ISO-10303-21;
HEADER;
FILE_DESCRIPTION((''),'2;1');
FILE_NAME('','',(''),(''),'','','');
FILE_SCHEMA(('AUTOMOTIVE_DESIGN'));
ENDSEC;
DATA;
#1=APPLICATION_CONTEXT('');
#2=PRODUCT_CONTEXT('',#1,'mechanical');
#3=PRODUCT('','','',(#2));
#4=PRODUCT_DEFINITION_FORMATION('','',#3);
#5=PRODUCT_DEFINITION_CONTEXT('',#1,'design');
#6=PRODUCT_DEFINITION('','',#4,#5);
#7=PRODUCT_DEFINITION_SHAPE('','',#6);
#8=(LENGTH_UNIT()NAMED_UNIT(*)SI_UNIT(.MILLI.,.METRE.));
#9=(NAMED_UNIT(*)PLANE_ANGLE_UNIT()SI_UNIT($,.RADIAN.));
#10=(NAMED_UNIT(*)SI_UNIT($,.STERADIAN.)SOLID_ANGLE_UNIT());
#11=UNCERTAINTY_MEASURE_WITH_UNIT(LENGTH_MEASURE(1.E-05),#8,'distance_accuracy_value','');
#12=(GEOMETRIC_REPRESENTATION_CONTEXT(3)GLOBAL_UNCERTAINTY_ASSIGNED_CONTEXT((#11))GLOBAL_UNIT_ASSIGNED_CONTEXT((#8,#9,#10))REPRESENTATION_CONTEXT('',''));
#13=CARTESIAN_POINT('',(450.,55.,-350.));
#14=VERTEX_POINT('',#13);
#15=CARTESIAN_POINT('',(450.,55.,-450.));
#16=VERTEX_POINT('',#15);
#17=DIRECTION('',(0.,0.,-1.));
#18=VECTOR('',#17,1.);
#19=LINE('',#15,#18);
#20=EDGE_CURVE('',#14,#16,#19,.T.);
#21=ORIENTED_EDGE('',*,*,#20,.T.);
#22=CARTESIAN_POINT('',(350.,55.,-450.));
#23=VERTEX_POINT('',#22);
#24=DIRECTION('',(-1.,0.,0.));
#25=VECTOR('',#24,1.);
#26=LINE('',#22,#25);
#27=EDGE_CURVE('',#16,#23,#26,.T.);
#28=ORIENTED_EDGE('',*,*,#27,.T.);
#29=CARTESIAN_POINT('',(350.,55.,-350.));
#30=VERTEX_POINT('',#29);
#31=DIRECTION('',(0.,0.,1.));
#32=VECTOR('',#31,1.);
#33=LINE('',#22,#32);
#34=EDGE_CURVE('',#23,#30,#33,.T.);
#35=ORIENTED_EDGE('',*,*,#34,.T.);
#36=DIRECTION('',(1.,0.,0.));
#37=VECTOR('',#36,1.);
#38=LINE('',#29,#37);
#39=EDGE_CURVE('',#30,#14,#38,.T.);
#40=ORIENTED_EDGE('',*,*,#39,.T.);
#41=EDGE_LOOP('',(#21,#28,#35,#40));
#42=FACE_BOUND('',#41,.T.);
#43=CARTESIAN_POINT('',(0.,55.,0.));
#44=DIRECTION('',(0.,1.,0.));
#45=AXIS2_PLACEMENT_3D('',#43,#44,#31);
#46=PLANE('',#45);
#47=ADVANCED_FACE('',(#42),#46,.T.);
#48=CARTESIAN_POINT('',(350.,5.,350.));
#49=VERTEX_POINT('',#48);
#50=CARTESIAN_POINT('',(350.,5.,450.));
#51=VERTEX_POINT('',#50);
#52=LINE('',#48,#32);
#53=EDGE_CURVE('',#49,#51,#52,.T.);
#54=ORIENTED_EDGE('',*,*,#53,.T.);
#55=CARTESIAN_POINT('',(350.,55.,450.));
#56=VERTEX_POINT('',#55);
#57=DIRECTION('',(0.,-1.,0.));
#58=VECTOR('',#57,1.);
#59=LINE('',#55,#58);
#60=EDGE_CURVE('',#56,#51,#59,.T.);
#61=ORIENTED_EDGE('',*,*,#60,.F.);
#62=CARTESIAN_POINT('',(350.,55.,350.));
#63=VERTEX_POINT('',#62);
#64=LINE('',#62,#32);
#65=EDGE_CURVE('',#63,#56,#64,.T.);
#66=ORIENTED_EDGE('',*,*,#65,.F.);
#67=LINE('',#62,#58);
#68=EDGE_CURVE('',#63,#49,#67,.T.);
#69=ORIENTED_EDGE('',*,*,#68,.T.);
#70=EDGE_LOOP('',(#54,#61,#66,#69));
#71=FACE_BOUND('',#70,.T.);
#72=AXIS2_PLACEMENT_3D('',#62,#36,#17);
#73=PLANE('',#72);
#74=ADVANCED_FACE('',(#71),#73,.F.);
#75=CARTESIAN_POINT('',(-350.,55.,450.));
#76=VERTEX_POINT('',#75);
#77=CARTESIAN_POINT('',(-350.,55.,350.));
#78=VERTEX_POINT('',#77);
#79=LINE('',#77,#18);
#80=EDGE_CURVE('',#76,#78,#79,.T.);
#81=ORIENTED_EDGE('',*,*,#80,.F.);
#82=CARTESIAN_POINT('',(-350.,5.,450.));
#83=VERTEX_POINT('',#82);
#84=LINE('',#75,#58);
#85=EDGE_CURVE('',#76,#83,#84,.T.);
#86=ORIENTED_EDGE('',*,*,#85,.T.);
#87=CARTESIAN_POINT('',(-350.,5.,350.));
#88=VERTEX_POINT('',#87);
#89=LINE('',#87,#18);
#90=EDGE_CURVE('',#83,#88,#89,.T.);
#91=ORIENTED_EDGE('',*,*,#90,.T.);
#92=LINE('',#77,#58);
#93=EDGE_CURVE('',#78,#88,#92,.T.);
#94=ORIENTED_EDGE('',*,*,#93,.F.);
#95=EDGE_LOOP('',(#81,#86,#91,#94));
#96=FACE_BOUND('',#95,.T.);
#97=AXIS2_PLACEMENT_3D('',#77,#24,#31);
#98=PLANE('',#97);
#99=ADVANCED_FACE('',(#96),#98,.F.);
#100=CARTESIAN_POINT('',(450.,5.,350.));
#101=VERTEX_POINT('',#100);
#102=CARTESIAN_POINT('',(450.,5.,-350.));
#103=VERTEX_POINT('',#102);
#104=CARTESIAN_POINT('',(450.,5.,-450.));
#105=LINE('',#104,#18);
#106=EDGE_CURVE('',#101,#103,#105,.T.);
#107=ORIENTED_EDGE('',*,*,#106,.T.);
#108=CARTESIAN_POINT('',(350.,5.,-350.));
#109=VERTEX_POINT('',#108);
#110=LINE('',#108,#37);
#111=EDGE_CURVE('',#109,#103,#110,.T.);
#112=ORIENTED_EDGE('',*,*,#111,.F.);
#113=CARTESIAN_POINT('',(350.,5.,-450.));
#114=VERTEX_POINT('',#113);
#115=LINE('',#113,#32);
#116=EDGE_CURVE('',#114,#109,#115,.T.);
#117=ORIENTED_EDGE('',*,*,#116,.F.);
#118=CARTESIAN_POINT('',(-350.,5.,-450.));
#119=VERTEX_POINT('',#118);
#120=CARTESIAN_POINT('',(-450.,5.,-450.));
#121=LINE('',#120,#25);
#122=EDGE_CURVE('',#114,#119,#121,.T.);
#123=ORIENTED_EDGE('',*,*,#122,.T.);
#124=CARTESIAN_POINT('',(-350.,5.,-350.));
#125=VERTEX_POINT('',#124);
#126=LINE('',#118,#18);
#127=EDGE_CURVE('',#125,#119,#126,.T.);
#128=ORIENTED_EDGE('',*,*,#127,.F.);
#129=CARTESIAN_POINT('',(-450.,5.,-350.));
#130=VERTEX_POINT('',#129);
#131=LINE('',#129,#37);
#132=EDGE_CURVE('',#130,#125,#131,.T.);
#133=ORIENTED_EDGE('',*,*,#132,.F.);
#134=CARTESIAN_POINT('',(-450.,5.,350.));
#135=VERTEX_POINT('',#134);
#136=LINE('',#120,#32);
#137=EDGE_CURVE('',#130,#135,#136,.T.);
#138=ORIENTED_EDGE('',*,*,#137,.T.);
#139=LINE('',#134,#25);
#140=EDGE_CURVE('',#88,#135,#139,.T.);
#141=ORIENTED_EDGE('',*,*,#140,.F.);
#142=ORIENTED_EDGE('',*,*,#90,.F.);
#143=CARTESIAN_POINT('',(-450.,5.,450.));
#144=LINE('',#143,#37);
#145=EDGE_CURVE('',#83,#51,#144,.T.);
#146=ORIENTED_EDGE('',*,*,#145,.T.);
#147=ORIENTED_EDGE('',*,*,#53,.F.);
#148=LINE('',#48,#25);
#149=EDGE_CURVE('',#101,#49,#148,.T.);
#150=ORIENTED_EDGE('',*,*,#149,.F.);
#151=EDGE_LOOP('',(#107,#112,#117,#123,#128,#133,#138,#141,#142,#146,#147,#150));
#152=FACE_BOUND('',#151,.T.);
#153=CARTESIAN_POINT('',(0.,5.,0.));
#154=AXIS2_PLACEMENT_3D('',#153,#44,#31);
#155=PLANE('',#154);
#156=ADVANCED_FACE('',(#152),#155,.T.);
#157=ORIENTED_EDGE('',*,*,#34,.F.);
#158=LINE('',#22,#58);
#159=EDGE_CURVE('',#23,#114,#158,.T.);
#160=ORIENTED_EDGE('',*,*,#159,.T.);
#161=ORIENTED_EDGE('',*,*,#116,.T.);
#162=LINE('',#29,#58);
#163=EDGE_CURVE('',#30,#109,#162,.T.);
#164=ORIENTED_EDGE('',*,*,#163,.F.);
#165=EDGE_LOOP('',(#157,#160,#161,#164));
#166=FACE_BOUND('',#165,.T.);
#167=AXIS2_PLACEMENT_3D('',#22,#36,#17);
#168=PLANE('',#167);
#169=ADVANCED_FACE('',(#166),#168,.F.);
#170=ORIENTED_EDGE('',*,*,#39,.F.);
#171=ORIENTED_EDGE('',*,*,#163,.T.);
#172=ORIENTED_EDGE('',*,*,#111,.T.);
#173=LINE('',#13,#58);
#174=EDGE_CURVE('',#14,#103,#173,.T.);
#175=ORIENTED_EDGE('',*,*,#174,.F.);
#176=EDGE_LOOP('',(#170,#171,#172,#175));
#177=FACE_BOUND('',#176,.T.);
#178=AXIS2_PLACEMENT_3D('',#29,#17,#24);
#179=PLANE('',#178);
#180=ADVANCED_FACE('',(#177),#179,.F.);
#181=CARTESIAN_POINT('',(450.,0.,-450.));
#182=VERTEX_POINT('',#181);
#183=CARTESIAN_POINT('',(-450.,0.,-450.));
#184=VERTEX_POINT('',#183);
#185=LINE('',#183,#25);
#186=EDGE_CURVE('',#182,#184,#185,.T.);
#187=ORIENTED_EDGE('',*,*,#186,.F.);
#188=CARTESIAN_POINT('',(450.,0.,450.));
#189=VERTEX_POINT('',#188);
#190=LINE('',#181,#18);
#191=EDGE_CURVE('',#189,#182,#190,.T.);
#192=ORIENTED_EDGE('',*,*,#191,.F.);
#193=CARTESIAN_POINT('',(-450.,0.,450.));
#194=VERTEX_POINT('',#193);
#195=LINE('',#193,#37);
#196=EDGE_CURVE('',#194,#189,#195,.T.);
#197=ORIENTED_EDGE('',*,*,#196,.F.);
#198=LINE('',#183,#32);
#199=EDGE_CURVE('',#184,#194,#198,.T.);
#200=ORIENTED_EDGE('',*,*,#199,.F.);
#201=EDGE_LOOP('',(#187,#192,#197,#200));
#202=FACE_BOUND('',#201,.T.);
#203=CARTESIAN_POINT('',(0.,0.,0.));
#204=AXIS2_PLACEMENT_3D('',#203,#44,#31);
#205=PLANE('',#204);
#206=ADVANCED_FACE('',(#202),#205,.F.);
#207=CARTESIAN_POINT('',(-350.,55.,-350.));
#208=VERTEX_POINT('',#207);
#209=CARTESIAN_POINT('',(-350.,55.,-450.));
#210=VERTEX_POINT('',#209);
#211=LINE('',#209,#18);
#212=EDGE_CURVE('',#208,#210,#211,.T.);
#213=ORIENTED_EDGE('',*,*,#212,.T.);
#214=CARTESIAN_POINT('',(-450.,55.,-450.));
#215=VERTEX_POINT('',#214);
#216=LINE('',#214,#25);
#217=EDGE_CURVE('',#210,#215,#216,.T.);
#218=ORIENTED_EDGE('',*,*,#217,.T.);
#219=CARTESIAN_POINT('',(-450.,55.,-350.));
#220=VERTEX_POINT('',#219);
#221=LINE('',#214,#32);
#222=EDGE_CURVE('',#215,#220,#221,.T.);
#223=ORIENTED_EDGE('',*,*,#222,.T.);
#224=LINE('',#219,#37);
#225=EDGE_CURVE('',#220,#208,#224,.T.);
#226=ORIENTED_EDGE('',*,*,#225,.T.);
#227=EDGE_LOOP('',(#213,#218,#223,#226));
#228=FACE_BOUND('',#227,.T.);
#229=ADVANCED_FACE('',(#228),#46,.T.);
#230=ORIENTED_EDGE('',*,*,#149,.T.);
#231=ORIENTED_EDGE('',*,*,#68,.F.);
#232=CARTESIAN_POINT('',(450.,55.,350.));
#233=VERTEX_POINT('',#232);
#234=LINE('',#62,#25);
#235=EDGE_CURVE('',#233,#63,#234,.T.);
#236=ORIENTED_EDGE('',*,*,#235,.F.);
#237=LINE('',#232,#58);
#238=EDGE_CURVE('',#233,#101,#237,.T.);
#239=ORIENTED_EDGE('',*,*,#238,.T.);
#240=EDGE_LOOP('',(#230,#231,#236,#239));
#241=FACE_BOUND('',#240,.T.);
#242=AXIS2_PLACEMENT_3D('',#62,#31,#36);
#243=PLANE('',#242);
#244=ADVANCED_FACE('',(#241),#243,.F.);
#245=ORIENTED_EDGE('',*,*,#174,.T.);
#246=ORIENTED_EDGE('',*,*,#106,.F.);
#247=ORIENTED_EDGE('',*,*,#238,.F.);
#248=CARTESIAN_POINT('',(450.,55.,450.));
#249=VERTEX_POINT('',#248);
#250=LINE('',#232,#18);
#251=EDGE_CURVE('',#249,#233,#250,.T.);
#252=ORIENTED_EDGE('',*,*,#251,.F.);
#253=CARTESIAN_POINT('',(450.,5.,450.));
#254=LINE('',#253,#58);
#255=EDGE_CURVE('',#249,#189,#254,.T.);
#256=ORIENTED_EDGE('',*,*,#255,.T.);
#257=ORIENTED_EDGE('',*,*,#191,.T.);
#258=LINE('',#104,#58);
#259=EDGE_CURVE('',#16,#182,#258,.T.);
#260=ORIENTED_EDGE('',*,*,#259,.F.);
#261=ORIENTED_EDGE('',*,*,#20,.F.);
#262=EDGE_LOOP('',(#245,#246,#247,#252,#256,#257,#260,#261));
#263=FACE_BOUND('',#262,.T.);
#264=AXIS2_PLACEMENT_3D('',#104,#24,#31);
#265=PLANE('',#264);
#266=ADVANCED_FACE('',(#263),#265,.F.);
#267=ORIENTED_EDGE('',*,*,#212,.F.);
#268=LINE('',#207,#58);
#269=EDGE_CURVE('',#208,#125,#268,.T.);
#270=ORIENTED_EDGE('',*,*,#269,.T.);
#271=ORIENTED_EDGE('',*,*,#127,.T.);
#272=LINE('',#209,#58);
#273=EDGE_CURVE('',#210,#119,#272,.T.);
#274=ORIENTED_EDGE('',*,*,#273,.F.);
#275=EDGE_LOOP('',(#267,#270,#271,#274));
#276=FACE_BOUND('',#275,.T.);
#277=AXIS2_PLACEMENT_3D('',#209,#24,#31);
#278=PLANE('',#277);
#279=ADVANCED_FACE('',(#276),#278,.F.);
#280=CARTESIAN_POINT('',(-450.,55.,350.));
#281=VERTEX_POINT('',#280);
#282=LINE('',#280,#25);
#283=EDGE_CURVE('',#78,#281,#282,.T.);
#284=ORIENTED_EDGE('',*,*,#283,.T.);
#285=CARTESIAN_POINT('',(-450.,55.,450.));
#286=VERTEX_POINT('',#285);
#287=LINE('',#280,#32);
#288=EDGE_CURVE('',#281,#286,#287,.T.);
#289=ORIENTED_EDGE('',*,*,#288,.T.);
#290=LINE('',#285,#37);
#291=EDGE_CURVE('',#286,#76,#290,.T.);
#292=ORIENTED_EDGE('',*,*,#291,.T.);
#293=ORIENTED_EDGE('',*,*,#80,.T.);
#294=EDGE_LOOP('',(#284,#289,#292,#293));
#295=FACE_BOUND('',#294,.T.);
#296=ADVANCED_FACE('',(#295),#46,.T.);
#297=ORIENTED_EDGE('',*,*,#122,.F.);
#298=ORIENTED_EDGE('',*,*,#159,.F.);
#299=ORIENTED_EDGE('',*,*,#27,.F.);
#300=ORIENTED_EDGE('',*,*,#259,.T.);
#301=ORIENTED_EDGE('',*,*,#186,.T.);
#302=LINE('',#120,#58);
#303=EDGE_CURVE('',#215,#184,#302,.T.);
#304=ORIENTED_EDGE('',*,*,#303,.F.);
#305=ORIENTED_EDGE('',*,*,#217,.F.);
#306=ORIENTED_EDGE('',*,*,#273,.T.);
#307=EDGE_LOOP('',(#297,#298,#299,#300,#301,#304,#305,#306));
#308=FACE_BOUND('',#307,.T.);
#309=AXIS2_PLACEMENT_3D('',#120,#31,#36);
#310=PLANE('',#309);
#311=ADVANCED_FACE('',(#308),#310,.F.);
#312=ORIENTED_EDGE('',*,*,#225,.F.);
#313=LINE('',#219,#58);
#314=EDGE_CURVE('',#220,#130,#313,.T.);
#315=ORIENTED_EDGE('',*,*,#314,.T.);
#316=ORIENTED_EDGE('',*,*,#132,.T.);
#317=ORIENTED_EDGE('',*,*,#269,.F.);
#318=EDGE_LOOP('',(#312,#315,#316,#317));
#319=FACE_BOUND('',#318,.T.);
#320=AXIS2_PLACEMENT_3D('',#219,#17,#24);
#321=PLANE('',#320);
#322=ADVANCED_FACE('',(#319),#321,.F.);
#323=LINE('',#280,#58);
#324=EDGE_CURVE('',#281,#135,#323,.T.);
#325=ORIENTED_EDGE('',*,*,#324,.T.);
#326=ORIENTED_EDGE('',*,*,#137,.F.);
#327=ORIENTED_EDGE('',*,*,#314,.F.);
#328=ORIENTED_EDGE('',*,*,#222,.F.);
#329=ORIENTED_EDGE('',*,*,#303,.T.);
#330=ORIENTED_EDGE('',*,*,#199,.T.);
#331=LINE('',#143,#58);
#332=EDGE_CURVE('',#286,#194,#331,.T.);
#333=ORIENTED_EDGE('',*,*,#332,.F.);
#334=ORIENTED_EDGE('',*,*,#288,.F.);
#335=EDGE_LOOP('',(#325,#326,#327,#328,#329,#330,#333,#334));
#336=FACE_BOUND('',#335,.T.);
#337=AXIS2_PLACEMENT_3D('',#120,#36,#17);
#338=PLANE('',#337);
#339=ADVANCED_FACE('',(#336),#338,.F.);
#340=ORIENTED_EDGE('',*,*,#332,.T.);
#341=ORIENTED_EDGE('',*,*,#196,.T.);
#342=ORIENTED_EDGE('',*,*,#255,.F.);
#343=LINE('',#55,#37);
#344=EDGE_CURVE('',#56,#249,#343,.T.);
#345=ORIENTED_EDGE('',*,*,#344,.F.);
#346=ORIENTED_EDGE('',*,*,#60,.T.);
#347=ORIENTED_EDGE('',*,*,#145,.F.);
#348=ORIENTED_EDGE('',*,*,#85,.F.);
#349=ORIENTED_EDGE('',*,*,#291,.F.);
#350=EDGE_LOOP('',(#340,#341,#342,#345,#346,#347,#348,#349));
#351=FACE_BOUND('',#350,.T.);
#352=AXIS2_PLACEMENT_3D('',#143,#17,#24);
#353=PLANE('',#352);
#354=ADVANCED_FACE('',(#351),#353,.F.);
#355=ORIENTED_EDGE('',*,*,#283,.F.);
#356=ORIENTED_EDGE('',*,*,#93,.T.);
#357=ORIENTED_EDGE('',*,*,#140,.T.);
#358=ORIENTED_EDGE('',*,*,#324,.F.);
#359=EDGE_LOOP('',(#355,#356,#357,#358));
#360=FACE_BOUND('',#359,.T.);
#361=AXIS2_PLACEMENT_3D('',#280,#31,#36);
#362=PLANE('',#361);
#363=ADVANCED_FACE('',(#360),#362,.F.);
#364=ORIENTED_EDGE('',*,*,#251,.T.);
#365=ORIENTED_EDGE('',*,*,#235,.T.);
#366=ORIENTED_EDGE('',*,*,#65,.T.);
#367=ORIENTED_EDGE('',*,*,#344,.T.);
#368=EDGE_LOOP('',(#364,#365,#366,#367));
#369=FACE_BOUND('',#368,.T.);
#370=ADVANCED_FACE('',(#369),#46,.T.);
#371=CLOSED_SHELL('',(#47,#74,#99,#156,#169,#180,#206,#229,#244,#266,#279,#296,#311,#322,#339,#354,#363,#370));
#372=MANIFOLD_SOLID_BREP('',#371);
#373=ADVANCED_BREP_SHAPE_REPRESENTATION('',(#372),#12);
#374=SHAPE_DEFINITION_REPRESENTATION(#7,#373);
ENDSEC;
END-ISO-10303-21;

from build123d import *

# Parameters (mm, degrees)
SKETCH2_W           = 900
SKETCH2_H           = 900
BOSS_EXTRUDE2_DEPTH = 5
SKETCH4_W           = 100
SKETCH4_H           = 100
BOSS_EXTRUDE3_DEPTH = 50


with BuildPart() as part:
    # Sketch2 → Boss-Extrude2 (new body)
    with BuildSketch(Plane(origin=(0, 0, 0), x_dir=(1, 0, 0), z_dir=(0, 1, 0))):
        Rectangle(SKETCH2_W, SKETCH2_H)
    extrude(amount=BOSS_EXTRUDE2_DEPTH)

    # Sketch4 → Boss-Extrude3 (add)
    with BuildSketch(Plane(origin=(0, 5, 0), x_dir=(1, 0, 0), z_dir=(0, 1, 0))):
        with Locations((-400, 400)):
            Rectangle(SKETCH4_W, SKETCH4_H)
        with Locations((400, 400)):
            Rectangle(SKETCH4_W, SKETCH4_H)
        with Locations((400, -400)):
            Rectangle(SKETCH4_W, SKETCH4_H)
        with Locations((-400, -400)):
            Rectangle(SKETCH4_W, SKETCH4_H)
    extrude(amount=BOSS_EXTRUDE3_DEPTH)


solid = part.part
